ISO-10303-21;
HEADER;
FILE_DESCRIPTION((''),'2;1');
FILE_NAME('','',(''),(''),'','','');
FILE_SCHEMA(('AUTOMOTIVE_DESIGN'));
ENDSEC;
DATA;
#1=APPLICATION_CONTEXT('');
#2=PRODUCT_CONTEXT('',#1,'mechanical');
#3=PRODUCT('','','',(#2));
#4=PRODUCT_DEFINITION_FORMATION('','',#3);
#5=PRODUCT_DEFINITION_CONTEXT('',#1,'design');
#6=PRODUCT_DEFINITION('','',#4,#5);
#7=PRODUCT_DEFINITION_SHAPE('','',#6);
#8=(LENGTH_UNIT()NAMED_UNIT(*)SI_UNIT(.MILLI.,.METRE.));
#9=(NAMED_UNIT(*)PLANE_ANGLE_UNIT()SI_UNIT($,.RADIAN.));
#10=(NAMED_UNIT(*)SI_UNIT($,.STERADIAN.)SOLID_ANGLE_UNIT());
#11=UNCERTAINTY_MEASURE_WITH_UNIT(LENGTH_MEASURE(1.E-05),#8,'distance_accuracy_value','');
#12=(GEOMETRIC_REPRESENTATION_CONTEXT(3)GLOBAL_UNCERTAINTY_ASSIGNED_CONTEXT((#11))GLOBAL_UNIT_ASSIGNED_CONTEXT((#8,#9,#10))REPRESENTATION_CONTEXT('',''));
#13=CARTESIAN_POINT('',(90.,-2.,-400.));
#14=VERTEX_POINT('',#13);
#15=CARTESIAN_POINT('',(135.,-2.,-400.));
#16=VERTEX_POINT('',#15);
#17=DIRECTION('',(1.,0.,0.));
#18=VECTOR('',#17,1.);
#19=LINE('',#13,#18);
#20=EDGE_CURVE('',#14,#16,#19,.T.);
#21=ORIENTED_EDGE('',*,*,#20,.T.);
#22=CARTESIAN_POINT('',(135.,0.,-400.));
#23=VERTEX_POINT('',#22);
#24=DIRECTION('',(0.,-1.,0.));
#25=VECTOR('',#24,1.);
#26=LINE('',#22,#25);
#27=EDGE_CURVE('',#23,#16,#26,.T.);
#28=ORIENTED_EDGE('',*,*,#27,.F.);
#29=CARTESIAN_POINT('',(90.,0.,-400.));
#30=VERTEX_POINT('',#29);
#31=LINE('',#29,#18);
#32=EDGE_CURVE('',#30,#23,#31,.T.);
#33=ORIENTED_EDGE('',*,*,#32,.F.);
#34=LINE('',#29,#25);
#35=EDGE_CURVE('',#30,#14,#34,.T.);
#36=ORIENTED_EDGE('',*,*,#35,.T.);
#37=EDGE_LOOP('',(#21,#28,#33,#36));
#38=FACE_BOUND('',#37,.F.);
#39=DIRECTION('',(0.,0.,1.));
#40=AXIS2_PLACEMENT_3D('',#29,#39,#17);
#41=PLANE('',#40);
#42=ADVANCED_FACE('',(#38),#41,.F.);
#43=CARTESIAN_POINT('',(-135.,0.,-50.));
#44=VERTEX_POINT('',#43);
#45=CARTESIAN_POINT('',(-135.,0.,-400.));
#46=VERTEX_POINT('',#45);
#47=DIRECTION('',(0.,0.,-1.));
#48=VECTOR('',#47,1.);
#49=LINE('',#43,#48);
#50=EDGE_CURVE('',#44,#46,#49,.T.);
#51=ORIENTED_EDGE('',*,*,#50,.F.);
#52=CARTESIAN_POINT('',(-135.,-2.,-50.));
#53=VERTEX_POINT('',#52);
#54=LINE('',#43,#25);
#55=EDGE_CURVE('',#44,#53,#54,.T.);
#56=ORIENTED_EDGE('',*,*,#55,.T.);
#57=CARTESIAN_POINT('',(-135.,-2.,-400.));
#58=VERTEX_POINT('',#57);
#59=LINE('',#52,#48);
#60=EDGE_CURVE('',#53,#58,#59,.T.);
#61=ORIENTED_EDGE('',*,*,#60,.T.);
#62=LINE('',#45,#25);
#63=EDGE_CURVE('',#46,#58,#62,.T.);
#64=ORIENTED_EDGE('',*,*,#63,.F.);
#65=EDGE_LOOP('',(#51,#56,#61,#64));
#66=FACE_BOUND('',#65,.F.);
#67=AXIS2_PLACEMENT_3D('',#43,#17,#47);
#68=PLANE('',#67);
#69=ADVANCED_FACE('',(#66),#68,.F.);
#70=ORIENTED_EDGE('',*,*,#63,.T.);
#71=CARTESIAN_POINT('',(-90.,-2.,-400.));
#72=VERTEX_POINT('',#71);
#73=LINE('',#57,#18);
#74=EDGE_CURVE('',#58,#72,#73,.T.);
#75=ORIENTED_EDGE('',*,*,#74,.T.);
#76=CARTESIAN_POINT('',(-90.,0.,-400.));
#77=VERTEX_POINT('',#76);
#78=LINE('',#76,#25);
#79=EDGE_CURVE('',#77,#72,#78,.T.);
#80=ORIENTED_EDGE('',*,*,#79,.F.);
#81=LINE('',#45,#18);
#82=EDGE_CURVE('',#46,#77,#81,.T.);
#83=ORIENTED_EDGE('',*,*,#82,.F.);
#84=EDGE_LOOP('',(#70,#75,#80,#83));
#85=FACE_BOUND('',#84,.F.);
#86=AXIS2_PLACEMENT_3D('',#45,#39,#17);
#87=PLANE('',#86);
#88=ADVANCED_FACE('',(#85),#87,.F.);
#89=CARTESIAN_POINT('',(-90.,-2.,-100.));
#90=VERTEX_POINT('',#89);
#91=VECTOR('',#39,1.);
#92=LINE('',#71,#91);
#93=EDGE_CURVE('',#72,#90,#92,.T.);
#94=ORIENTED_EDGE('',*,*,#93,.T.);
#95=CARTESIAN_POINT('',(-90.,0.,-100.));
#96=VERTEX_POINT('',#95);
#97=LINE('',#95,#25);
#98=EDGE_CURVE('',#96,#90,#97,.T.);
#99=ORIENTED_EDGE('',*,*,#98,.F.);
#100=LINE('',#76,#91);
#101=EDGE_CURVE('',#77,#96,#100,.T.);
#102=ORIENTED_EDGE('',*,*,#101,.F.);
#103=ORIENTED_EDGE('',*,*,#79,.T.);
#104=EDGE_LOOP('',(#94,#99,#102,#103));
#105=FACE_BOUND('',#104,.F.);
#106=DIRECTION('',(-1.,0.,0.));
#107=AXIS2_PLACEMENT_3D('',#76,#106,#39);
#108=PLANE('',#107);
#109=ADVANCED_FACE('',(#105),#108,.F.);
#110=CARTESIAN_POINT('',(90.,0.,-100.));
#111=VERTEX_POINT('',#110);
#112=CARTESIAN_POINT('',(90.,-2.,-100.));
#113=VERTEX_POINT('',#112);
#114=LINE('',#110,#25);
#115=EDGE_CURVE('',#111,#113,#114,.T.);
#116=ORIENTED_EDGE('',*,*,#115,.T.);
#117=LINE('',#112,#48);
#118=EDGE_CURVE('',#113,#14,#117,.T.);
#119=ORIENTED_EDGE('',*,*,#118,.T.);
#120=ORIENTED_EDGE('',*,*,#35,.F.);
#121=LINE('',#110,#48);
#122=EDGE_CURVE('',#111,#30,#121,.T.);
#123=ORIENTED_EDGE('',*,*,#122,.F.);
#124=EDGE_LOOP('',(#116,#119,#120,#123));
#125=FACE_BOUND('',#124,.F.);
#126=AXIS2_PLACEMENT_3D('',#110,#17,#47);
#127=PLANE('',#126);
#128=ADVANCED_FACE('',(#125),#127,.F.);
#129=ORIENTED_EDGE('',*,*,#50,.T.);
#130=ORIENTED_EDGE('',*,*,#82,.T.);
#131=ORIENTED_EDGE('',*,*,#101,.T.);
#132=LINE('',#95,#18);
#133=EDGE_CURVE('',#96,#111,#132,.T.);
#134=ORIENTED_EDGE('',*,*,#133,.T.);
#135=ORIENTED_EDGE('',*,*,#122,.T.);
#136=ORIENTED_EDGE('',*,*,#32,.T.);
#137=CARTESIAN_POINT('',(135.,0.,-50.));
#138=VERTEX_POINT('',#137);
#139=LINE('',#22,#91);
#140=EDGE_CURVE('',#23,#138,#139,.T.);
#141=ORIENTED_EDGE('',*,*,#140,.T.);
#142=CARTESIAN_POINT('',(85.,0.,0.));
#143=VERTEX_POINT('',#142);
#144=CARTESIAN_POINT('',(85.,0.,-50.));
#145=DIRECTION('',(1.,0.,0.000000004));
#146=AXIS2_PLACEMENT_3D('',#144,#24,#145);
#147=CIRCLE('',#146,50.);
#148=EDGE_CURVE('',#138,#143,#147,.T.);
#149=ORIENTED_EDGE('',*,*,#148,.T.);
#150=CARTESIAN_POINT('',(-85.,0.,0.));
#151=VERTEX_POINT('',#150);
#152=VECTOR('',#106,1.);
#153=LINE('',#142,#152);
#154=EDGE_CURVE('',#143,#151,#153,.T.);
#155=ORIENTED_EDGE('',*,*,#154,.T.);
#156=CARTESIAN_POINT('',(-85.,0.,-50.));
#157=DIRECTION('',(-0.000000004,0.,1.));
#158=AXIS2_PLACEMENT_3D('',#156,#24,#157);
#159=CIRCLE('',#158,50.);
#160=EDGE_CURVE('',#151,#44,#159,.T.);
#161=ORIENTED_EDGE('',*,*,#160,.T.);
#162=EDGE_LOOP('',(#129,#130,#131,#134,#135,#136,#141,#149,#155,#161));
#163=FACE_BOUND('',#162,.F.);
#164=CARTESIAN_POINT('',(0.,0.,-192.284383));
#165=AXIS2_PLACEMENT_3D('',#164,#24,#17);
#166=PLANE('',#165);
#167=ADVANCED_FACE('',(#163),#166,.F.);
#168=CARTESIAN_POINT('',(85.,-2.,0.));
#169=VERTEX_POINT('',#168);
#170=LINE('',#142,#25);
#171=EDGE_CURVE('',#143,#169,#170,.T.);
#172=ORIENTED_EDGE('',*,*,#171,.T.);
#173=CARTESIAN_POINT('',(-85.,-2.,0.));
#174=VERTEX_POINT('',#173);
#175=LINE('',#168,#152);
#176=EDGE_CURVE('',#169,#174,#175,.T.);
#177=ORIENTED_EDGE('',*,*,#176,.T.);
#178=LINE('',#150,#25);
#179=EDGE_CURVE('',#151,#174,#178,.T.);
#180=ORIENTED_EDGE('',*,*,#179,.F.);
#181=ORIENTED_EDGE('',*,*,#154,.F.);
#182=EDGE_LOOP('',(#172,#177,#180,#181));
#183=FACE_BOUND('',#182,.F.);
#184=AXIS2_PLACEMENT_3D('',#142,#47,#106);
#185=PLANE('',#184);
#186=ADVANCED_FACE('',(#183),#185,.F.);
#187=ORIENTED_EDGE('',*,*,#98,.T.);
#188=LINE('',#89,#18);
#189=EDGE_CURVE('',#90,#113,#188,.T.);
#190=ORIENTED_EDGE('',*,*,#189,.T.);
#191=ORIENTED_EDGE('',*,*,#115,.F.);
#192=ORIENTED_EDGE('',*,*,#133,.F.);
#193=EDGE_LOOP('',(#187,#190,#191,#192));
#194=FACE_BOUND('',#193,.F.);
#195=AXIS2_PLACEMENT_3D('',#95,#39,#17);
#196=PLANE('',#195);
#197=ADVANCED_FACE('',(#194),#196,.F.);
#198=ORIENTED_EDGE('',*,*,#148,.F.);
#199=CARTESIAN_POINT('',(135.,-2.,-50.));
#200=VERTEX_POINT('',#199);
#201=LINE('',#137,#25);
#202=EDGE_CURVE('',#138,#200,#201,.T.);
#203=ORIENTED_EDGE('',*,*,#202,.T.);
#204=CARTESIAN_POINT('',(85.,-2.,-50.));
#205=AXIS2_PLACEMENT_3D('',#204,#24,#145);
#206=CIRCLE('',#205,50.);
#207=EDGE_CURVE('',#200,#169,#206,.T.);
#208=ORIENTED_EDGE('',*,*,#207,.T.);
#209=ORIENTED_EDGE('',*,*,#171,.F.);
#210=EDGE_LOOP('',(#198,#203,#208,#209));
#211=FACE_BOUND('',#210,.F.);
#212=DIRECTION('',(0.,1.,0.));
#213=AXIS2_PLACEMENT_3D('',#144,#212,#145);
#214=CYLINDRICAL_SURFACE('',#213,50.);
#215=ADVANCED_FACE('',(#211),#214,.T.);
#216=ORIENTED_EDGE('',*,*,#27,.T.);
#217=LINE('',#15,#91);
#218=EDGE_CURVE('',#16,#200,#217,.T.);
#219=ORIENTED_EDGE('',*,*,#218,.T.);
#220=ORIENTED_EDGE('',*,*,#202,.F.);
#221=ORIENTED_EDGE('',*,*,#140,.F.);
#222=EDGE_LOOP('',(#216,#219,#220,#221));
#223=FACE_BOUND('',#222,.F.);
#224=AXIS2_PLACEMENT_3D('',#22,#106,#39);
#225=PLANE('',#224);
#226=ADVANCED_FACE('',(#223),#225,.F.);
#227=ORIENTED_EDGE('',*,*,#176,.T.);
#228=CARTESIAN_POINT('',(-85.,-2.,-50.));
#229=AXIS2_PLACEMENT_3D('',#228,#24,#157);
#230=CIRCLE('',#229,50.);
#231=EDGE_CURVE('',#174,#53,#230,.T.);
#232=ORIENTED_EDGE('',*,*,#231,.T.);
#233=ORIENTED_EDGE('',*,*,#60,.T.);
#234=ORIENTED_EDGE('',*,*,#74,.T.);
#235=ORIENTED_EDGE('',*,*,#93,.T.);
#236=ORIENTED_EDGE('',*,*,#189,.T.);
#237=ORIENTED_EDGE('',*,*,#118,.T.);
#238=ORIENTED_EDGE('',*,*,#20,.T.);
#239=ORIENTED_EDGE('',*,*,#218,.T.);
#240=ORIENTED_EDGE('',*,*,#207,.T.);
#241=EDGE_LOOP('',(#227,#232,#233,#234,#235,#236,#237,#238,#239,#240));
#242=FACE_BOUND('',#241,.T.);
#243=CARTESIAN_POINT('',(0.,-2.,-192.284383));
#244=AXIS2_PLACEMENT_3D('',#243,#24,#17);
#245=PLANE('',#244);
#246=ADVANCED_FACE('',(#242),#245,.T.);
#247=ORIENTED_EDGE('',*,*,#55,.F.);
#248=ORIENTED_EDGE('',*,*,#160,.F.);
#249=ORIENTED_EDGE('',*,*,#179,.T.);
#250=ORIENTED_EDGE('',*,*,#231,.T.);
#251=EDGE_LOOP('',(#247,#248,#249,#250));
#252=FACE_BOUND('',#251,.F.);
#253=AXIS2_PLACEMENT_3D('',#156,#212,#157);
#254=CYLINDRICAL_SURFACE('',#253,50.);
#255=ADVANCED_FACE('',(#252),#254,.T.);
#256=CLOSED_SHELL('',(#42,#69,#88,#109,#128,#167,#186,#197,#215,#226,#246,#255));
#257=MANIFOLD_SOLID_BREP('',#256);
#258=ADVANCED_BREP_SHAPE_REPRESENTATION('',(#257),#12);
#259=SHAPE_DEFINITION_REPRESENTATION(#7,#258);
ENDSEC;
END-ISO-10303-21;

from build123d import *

# Parameters (mm, degrees)
F1_DEPTH = 2


with BuildPart() as f1:
    # F0 (on Front) → F1 (new body)
    with BuildSketch(Plane.XZ):
        with BuildLine():
            Line((85, 0), (0, 0))
            Line((0, 0), (-85, 0))
            ThreePointArc((-85, 0), (-120.355339, -14.644661), (-135, -50))
            Line((-135, -50), (-135, -400))
            Line((-135, -400), (-90, -400))
            Line((-90, -400), (-90, -100))
            Line((-90, -100), (0, -100))
            Line((0, -100), (90, -100))
            Line((90, -100), (90, -400))
            Line((90, -400), (135, -400))
            Line((135, -400), (135, -50))
            ThreePointArc((135, -50), (120.355339, -14.644661), (85, 0))
        make_face()
    extrude(amount=F1_DEPTH)


solid = f1.part
